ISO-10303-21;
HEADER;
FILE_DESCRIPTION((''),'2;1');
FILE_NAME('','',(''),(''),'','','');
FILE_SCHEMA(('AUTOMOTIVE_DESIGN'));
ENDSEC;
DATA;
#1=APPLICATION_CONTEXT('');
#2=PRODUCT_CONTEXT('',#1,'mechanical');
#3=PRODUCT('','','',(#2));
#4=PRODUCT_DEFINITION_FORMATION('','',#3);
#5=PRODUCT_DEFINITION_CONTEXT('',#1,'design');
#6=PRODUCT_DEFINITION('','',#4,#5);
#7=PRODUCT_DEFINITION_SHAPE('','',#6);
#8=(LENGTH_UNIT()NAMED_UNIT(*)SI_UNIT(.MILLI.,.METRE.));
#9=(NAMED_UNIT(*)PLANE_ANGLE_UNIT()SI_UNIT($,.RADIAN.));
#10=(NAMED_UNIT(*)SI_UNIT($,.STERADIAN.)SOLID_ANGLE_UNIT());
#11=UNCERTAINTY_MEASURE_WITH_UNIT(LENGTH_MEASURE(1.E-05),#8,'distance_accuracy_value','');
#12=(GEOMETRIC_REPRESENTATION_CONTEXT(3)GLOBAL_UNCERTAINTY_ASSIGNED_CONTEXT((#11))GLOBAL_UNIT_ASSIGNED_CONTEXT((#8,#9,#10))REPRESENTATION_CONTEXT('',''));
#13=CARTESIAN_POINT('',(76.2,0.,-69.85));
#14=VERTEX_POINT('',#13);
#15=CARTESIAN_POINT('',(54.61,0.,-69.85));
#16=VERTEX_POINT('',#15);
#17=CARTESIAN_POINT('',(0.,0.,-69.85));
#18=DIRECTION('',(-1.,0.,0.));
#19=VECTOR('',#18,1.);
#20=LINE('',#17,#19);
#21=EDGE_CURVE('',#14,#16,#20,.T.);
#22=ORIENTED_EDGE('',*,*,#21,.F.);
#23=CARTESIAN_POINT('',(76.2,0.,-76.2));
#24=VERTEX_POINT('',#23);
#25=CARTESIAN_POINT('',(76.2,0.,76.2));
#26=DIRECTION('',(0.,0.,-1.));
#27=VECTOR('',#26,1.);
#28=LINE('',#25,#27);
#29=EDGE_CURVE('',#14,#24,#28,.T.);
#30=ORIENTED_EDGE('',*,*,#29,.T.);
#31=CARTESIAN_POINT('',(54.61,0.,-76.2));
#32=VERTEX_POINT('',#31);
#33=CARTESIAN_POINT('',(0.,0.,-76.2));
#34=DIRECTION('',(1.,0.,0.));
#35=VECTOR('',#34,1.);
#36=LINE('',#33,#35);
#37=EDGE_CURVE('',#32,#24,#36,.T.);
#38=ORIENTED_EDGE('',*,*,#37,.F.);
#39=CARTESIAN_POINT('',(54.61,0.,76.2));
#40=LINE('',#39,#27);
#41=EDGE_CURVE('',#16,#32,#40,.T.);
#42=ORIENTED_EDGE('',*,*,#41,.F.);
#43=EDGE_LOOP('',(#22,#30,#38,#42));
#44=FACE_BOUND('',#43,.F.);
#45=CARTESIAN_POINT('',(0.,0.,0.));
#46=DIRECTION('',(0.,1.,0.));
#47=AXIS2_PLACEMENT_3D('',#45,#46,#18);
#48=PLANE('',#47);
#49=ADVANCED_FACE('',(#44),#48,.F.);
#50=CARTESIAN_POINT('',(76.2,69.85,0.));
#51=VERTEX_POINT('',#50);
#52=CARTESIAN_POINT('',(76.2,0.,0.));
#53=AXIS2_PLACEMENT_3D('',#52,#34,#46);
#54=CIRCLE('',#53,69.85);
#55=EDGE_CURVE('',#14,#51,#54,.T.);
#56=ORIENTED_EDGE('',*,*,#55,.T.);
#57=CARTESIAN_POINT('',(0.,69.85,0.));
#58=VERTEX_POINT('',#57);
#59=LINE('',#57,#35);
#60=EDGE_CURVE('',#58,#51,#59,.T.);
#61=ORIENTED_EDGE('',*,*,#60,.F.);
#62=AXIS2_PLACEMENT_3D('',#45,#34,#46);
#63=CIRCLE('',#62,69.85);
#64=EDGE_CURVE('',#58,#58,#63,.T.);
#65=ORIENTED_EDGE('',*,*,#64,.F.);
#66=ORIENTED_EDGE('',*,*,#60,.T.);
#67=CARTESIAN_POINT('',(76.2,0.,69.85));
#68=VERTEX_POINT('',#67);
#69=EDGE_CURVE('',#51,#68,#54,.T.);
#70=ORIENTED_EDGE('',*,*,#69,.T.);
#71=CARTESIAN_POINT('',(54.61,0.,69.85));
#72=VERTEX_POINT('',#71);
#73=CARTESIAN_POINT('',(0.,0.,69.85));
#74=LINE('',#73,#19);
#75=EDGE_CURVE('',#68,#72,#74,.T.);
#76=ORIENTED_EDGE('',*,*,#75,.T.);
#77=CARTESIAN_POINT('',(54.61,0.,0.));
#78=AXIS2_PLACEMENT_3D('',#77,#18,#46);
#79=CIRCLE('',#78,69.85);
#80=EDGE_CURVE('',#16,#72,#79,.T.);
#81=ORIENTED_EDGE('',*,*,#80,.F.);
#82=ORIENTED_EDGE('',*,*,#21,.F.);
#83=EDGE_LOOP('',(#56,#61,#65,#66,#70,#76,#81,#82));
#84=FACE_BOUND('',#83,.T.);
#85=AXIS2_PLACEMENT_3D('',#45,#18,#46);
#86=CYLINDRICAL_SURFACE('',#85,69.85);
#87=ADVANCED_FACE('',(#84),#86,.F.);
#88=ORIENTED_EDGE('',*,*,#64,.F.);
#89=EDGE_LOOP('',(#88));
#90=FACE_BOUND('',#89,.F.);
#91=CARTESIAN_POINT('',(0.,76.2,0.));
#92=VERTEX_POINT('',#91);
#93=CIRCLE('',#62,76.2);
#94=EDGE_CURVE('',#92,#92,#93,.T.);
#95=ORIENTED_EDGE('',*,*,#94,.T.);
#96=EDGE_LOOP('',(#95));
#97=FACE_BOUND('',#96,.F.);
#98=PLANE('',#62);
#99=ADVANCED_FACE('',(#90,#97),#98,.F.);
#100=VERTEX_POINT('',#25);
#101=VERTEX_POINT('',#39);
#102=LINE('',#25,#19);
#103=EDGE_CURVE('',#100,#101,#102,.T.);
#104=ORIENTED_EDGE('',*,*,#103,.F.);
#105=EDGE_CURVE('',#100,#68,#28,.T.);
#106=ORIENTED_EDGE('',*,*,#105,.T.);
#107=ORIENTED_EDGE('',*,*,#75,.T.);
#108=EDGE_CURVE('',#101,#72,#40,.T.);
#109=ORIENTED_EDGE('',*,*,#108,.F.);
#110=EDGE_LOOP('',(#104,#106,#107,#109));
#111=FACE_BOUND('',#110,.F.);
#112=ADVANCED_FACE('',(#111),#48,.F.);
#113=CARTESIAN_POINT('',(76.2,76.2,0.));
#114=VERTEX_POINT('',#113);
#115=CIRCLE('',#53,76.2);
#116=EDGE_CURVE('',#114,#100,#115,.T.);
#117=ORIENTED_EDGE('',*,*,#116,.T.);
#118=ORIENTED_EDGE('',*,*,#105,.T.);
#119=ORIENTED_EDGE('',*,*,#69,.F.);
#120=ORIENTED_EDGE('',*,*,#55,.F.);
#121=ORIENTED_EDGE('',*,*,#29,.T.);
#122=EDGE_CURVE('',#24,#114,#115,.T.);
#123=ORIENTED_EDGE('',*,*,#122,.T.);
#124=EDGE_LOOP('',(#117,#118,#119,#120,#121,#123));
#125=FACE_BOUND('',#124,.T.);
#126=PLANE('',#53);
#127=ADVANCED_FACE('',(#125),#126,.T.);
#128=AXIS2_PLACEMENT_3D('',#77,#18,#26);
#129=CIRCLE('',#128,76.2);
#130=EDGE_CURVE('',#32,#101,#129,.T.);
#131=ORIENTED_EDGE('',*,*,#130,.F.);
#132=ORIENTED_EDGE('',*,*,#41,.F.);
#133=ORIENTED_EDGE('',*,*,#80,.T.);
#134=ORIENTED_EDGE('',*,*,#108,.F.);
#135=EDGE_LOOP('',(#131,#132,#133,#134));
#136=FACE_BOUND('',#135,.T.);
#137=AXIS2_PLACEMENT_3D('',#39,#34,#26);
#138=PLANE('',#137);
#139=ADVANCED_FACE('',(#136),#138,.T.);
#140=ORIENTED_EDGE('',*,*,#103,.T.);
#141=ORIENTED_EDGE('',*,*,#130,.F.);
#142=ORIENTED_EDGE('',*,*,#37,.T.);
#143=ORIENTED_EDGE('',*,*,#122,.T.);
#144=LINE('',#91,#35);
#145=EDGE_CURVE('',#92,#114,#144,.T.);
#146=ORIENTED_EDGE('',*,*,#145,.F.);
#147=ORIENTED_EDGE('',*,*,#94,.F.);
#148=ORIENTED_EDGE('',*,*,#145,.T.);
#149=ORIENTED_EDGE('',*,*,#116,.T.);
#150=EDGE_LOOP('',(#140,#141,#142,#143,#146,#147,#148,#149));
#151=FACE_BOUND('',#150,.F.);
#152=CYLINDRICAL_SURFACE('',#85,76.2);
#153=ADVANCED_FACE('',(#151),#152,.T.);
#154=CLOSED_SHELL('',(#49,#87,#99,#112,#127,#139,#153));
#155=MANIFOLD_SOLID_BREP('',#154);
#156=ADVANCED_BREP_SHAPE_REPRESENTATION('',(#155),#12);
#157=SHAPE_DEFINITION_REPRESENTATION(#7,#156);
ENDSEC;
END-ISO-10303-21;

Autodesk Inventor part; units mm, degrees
ref_plane "YZ Plane" through (0, 0, 0) normal (1, 0, 0) x (0, 1, 0)
ref_plane "XY Plane" through (0, 0, 0) normal (0, 0, 1) x (1, 0, 0)
sketch "Sketch1" plane through (0, 0, 0) normal (1, 0, 0) x (0, 1, 0)
  circle A0 centre (0, 0) radius 69.85
  circle A1 centre (0, 0) radius 76.2
  dimension "d0" = 139.7
  dimension "d1" = 152.4
extrude "Extrusion1" add sketch "Sketch1" along normal blind 76.2
sketch "Sketch2" plane through (0, 0, 0) normal (0, 1, 0) x (-1, 0, 0)
  line L0 (-76.2, 76.2) -> (-76.2, -76.2) projected
  line L1 (0, -76.2) -> (-76.2, -76.2) projected
  line L2 (-76.2, 76.2) -> (-54.61, 76.2)
  line L3 (-54.61, 76.2) -> (-54.61, -76.2)
  line L4 (-54.61, -76.2) -> (-76.2, -76.2)
  line L5 (-76.2, -76.2) -> (-76.2, 76.2)
  point P0 (0, 0)
  dimension "d4" = 21.59
extrude "Extrusion2" cut sketch "Sketch2" against normal blind 76.2
properties part number "hopper v1"
